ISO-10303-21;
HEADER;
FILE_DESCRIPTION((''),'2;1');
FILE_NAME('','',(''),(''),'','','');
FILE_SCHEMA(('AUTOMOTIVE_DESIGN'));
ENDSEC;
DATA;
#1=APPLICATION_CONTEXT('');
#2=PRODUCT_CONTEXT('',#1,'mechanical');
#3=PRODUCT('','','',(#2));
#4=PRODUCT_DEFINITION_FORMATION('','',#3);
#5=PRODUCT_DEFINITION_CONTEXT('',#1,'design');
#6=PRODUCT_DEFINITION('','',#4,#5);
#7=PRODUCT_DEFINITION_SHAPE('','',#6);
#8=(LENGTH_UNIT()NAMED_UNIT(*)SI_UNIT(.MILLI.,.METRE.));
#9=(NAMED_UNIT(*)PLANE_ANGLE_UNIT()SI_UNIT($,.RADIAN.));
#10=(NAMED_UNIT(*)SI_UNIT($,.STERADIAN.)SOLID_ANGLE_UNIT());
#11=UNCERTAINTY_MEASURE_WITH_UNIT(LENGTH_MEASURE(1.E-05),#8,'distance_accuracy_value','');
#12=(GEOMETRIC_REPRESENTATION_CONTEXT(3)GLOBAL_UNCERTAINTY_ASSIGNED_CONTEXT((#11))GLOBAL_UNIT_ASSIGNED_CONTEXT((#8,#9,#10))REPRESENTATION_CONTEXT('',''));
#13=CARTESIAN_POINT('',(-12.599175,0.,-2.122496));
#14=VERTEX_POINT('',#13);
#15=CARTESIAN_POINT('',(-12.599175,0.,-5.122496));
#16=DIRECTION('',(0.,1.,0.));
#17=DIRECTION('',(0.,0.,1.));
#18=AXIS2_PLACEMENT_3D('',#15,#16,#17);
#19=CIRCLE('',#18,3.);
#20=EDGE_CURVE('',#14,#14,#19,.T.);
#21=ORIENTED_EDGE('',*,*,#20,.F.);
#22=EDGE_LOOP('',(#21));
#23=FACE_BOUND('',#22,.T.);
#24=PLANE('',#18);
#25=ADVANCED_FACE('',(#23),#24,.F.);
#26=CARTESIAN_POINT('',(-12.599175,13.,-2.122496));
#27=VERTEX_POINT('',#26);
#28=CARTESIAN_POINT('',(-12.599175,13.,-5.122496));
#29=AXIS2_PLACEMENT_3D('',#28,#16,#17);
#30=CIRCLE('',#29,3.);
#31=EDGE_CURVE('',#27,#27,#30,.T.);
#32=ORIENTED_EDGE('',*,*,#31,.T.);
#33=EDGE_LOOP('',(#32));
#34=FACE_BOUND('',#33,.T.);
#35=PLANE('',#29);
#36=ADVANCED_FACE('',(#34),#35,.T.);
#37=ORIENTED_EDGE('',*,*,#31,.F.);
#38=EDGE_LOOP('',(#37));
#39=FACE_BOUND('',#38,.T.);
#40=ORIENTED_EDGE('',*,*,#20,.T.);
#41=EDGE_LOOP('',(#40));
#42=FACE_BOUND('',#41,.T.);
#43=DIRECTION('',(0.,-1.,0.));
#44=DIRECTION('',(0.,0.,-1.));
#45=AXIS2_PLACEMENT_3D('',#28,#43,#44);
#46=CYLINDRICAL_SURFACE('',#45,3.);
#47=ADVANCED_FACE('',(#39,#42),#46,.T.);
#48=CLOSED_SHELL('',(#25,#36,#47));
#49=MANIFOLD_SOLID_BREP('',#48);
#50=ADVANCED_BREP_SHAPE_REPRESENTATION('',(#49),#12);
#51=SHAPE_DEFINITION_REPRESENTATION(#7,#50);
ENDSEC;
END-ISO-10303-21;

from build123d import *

# Parameters (mm, degrees)
SKETCH1_R           = 3
BOSS_EXTRUDE1_DEPTH = 13


with BuildPart() as part:
    # Sketch1 → Boss-Extrude1 (new body)
    with BuildSketch(Plane(origin=(0, 0, 0), x_dir=(1, 0, 0), z_dir=(0, 1, 0))):
        with Locations((-12.599175103, 5.122495793)):
            Circle(SKETCH1_R)
    extrude(amount=BOSS_EXTRUDE1_DEPTH)


solid = part.part
